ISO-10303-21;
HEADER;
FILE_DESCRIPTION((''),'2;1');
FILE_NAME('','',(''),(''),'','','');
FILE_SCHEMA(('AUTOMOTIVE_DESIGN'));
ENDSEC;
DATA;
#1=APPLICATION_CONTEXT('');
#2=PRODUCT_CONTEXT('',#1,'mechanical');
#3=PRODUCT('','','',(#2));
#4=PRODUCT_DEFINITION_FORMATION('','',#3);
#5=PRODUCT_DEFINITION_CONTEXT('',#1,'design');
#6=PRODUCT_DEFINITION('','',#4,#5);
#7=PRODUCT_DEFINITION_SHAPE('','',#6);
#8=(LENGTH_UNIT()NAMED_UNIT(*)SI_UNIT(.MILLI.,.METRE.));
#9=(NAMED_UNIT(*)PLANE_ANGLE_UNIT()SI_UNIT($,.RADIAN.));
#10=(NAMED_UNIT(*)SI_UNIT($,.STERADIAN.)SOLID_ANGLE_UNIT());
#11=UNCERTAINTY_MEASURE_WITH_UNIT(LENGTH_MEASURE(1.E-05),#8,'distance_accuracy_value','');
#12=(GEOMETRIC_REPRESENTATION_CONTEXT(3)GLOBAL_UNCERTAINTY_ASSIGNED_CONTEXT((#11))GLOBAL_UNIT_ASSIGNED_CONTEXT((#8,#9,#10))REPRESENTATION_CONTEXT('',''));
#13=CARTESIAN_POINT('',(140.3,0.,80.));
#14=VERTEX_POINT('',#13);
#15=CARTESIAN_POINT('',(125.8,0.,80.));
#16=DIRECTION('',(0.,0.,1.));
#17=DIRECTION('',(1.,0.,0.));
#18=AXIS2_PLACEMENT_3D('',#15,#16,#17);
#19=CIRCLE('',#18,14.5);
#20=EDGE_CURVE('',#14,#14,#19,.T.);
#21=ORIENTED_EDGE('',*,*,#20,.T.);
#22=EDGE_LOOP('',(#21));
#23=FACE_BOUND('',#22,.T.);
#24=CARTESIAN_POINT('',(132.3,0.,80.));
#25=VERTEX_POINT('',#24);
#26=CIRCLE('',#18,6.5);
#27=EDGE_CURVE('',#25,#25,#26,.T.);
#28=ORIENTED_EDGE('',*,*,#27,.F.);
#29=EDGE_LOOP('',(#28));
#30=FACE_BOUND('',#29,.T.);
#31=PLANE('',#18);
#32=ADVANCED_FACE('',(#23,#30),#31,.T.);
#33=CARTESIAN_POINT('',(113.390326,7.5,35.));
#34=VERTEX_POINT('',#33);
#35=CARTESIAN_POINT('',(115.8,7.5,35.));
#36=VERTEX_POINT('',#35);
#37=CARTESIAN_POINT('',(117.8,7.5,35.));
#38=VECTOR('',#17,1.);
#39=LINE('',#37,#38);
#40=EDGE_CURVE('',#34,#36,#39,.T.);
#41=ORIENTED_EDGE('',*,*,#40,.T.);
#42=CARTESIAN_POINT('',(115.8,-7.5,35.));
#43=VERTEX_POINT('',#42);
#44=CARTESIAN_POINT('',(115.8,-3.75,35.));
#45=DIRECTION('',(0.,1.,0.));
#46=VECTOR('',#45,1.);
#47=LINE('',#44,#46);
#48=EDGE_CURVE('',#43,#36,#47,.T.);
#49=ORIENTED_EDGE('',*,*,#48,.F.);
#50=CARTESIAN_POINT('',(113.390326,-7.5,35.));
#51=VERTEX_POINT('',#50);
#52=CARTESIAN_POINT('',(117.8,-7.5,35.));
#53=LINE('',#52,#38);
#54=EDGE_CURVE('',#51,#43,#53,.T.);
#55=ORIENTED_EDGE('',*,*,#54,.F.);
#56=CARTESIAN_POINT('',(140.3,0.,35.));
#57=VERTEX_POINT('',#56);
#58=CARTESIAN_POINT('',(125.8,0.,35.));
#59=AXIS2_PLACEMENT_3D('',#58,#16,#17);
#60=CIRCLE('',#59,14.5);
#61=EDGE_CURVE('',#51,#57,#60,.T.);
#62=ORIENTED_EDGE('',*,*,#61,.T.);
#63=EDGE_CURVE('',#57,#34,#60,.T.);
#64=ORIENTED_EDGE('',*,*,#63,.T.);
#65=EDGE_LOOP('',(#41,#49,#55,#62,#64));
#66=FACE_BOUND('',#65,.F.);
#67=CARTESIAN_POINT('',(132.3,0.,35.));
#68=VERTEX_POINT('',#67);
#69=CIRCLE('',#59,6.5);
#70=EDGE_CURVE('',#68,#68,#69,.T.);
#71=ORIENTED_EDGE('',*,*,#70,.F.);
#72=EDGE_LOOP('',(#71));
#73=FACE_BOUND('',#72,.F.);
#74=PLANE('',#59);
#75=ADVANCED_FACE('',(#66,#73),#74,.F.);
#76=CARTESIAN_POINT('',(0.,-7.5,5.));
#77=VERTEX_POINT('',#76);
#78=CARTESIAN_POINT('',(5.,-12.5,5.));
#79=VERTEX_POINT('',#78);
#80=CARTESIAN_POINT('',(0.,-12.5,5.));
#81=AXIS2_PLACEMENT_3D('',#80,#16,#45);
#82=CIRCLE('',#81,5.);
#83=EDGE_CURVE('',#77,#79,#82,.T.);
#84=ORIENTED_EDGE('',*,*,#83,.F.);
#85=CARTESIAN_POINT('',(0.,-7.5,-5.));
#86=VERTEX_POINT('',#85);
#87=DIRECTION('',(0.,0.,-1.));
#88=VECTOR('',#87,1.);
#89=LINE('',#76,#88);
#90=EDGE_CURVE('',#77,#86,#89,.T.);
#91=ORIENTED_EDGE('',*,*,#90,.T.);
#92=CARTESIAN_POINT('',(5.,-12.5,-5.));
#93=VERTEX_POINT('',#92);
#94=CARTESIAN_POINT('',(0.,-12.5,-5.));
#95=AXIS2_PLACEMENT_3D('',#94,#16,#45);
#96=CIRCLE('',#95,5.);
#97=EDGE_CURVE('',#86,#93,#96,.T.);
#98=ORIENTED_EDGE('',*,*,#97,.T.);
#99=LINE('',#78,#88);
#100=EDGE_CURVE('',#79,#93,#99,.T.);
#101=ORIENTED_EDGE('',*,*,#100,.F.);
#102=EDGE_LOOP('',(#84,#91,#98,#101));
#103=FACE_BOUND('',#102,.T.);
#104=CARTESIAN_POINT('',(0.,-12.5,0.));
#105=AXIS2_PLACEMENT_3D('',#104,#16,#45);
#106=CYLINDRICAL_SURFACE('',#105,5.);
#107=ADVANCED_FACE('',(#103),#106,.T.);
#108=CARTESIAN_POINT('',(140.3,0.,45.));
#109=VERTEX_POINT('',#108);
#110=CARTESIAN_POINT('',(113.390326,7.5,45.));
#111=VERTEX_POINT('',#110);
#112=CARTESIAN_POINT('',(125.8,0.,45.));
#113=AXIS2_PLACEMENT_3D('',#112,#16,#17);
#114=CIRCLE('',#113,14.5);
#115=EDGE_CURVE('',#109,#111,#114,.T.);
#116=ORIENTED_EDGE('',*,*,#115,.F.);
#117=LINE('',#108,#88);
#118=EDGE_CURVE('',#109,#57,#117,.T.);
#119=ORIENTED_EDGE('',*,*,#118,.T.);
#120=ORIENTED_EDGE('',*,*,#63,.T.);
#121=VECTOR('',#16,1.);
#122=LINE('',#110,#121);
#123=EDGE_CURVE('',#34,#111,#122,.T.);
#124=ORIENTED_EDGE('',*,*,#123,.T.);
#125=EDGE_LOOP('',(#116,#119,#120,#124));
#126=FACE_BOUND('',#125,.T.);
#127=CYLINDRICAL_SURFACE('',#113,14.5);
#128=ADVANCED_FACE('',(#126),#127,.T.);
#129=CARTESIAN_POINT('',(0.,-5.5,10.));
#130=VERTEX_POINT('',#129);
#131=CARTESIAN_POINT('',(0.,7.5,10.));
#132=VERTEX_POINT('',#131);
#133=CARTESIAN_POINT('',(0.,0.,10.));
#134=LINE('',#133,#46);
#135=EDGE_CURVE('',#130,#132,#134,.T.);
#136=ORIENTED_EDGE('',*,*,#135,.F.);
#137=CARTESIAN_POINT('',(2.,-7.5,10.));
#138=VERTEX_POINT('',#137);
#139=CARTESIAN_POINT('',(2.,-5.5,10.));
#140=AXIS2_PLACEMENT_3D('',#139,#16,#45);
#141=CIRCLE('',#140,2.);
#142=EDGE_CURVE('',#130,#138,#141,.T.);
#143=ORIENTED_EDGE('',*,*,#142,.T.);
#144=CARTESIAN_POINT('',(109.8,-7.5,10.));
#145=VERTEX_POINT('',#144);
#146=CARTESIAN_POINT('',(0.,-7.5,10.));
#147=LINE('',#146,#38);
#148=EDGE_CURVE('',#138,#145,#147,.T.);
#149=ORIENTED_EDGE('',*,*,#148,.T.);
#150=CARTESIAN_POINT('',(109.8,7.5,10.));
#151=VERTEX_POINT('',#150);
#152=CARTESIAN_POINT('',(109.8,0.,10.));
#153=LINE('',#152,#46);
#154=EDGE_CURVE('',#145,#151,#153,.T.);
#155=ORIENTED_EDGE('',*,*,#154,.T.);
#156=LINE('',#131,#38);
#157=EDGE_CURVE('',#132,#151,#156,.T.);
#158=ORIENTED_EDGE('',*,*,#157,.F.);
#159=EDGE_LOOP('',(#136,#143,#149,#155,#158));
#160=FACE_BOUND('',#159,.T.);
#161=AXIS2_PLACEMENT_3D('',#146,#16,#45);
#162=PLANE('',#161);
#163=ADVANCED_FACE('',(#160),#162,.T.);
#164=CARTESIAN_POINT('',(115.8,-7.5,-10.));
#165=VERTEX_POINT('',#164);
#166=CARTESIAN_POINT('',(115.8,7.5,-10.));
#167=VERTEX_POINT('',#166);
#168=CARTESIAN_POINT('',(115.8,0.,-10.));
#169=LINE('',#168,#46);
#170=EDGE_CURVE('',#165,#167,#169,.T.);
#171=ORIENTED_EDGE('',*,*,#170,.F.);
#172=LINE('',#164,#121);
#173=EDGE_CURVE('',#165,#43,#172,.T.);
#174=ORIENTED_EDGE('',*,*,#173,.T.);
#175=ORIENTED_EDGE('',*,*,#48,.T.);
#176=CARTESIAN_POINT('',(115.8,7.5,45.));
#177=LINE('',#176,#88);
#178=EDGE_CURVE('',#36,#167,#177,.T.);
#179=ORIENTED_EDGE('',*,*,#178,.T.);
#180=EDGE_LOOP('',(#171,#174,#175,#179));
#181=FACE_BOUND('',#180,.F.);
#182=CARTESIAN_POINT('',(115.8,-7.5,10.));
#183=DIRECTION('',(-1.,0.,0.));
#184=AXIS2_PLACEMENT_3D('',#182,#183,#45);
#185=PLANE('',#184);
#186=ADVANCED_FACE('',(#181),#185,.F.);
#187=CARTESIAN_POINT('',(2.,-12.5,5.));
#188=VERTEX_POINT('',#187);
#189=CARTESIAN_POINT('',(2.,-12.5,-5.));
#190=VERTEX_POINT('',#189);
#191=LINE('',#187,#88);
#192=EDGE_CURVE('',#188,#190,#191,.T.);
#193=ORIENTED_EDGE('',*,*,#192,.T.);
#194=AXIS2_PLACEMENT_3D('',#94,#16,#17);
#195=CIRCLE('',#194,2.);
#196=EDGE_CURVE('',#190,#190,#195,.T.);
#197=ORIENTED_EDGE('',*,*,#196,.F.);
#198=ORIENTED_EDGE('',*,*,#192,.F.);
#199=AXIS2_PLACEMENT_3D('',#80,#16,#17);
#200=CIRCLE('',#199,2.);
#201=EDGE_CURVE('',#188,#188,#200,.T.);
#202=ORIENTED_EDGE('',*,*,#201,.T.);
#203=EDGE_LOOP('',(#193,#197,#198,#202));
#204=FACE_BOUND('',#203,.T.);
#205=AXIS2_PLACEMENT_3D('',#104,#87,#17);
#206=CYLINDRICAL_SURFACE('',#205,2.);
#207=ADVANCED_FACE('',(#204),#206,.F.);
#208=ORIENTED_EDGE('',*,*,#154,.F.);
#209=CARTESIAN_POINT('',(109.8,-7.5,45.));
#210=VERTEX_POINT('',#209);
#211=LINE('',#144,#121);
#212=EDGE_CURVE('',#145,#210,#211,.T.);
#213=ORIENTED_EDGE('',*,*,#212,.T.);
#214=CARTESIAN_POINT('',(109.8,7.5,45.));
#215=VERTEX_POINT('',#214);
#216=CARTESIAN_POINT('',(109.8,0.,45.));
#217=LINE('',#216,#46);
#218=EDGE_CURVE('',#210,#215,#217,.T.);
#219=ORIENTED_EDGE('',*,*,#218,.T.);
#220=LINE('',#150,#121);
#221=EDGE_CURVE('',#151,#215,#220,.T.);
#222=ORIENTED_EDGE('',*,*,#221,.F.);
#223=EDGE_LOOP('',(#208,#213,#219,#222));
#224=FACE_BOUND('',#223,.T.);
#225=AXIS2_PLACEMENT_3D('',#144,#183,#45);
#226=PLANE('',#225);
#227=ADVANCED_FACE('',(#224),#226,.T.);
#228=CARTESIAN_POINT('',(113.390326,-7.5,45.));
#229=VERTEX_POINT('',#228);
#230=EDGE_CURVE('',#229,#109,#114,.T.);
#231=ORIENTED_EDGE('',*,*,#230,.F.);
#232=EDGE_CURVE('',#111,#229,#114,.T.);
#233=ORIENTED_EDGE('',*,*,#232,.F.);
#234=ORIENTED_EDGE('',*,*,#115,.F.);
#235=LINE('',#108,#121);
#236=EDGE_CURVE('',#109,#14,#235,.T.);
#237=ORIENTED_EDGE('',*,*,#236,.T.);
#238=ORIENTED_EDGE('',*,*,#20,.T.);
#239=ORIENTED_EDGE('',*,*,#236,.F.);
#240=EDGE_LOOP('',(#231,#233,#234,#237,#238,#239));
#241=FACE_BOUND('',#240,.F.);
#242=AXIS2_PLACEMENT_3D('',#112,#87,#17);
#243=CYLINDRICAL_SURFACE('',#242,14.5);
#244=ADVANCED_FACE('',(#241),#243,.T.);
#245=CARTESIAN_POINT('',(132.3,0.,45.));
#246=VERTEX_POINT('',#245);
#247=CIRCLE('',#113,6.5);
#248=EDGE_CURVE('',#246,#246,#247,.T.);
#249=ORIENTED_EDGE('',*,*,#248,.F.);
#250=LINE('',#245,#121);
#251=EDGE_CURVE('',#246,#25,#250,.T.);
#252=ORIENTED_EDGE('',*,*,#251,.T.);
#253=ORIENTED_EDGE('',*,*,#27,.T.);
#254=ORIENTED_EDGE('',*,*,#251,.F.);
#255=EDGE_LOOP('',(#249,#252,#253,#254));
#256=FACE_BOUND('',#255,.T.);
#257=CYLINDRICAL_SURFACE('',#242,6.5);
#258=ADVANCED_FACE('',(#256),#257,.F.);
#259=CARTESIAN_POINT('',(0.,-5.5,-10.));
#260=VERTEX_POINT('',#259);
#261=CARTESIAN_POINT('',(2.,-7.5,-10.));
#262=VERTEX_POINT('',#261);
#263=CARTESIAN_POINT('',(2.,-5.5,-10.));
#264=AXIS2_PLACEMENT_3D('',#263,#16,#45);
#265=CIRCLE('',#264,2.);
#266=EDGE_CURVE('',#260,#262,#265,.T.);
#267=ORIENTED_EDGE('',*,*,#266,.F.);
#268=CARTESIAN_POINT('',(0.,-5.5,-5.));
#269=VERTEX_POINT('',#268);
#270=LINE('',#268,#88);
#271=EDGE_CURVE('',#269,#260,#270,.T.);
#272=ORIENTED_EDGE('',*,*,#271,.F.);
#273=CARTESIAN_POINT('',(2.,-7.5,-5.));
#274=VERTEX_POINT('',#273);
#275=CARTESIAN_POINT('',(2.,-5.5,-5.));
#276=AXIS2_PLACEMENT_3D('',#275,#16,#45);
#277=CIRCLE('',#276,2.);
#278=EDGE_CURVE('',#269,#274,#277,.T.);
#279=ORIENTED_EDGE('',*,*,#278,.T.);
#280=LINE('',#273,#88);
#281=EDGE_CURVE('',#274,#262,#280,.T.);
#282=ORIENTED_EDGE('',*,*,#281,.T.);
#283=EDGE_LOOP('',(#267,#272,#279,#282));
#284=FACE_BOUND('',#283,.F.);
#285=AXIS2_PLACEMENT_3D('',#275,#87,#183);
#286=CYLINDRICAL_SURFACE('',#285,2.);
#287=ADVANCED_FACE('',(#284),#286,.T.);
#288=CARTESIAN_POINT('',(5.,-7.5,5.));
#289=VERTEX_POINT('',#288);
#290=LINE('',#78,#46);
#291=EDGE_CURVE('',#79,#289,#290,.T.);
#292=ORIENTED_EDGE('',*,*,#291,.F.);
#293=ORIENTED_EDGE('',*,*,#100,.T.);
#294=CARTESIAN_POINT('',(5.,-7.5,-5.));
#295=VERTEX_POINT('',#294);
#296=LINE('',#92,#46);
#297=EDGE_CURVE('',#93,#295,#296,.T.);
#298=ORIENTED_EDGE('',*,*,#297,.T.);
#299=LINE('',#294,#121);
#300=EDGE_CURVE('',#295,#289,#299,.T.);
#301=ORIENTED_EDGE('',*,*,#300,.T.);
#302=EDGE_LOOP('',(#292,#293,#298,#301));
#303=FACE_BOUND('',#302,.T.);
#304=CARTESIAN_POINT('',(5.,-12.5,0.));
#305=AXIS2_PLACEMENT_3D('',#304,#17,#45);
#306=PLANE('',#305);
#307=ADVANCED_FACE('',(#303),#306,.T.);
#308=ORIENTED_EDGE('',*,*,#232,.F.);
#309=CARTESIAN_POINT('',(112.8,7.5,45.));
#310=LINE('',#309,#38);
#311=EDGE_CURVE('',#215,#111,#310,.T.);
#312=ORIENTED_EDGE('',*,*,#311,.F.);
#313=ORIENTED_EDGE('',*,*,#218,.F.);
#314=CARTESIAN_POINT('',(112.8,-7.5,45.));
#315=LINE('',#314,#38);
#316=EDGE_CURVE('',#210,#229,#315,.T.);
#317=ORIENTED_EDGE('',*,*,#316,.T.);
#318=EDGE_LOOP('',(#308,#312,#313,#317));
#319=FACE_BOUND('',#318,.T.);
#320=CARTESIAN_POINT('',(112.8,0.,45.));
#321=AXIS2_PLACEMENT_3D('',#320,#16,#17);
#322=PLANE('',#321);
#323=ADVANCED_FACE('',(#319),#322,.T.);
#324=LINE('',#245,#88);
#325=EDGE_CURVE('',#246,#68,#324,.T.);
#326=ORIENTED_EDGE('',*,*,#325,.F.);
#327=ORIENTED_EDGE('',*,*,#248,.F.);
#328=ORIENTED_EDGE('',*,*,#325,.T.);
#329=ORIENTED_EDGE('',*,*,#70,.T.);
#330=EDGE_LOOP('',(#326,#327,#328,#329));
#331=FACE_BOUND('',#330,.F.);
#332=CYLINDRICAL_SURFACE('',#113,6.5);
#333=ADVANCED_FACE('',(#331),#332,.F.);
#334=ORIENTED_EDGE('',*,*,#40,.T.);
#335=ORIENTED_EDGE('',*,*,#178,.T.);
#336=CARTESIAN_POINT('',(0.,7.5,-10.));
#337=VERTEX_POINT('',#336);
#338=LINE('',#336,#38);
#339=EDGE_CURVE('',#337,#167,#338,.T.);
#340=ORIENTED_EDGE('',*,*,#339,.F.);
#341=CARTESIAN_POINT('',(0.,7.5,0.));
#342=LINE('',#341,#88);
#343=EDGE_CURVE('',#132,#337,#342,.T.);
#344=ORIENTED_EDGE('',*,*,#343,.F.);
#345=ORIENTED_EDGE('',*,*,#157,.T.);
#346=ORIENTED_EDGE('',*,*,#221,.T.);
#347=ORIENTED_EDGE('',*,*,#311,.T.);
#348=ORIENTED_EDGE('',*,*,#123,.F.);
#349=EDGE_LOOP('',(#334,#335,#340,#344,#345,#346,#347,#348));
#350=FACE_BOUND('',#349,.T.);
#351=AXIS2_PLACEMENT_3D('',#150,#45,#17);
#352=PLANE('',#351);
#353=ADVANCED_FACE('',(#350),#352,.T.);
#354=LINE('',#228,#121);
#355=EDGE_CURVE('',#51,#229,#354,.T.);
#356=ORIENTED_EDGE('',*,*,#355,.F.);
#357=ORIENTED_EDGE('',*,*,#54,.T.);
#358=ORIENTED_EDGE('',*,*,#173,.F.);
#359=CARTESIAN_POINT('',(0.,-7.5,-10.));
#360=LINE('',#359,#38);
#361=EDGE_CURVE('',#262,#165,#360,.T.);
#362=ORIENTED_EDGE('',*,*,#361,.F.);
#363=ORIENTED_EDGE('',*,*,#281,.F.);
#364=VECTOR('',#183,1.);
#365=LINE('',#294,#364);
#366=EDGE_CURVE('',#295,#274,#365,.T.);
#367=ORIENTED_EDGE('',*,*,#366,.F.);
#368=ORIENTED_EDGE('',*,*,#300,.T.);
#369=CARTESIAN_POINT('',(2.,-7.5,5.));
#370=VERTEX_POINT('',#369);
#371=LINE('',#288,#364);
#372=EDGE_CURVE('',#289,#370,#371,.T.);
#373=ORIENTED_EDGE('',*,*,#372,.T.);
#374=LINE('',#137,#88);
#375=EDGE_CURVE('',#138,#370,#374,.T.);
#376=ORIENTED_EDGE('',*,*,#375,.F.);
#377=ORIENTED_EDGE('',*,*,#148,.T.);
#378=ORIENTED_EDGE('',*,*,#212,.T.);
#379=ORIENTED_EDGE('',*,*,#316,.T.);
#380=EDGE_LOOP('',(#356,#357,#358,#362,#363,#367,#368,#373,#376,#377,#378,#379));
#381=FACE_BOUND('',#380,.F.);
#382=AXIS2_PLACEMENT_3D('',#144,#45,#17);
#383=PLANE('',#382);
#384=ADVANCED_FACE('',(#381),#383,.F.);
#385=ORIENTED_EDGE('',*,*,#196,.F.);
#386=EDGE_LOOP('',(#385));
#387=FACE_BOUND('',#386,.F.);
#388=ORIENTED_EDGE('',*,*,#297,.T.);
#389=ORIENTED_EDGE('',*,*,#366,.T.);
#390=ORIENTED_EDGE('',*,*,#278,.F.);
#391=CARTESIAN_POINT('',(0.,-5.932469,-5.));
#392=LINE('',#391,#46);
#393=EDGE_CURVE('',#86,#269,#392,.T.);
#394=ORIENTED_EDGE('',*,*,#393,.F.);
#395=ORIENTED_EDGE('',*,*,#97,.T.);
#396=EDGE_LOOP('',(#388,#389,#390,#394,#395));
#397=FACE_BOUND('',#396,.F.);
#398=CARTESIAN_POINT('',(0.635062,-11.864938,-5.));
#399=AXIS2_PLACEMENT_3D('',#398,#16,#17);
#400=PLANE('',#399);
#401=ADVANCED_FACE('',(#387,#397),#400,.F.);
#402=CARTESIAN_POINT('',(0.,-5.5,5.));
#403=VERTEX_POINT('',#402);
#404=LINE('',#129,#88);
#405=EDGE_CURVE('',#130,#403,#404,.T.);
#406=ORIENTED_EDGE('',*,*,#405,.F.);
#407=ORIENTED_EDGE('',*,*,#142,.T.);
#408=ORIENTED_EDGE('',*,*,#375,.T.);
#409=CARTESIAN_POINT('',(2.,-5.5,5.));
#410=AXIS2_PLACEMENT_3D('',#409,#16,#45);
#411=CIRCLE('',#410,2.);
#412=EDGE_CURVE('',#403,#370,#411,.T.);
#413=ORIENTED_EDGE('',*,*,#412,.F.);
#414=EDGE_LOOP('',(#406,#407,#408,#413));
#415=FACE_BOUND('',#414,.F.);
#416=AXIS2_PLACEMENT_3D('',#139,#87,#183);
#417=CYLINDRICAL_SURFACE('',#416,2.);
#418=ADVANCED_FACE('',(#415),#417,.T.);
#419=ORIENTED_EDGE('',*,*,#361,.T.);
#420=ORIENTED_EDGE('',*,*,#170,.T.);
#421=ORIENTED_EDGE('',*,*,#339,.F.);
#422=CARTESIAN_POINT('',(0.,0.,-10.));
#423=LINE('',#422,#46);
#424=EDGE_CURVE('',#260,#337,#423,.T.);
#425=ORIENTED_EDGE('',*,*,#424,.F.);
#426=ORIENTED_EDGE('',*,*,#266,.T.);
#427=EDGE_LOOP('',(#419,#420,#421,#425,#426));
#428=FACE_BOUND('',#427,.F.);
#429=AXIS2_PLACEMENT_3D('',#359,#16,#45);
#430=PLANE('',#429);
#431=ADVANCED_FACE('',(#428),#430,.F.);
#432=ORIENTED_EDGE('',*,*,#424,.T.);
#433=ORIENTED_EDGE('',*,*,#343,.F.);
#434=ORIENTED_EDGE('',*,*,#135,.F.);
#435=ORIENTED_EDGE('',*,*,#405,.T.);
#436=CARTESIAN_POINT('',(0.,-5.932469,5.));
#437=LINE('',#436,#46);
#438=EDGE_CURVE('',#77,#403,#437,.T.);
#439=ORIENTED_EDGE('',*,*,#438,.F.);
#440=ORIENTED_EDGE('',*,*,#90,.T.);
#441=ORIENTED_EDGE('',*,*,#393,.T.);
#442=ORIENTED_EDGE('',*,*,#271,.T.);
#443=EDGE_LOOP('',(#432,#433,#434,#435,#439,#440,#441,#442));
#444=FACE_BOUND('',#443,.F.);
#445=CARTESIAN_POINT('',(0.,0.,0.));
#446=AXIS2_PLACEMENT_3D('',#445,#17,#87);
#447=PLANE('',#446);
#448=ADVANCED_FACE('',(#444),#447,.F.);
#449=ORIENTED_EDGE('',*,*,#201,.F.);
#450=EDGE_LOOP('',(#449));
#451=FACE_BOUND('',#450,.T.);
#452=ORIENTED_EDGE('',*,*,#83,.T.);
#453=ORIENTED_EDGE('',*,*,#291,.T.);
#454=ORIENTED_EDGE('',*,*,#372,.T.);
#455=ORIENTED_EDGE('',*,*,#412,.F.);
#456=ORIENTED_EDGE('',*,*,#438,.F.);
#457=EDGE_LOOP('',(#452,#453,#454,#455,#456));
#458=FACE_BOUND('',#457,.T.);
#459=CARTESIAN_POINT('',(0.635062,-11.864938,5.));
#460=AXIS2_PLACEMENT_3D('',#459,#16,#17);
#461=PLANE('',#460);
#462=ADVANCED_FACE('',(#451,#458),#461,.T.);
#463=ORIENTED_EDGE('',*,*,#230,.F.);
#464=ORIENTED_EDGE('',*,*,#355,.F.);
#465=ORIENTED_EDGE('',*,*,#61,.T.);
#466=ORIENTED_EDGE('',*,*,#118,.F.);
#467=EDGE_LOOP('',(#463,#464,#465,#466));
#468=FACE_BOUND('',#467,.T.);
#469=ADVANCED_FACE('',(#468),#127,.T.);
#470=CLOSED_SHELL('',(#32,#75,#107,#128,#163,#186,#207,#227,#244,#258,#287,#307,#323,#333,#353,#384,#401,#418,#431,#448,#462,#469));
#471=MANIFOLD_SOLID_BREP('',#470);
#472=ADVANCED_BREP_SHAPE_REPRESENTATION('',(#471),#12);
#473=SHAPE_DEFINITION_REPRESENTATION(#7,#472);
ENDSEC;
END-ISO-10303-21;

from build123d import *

# Parameters (mm, degrees)
SKETCH4_W                = 20
SKETCH4_H                = 15
BOSS_EXTRUDE1_DEPTH      = 115.8
SKETCH5_W                = 6
SKETCH5_H                = 15
BOSS_EXTRUDE2_DEPTH      = 35
SKETCH6_R                = 14.5
SKETCH6_R_2              = 6.5
BOSS_EXTRUDE3_DEPTH      = 35
BOSS_EXTRUDE3_DEPTH_BACK = 10
SKETCH7_R                = 2
BOSS_EXTRUDE4_DEPTH      = 5
FILLET1_R                = 2


with BuildPart() as part:
    # Sketch4 → Boss-Extrude1 (new body)
    with BuildSketch(Plane(origin=(0, 0, 0), x_dir=(0, 0, -1), z_dir=(1, 0, 0))):
        Rectangle(SKETCH4_W, SKETCH4_H)
    extrude(amount=BOSS_EXTRUDE1_DEPTH)

    # Sketch5 → Boss-Extrude2 (add)
    with BuildSketch(Plane.XY.offset(10)):
        with Locations((112.8, 0)):
            Rectangle(SKETCH5_W, SKETCH5_H)
    extrude(amount=BOSS_EXTRUDE2_DEPTH)

    # Sketch6 → Boss-Extrude3 (add, two sides)
    with BuildSketch(Plane.XY.offset(45)) as boss_extrude3_sk:
        with Locations((125.8, 0)):
            Circle(SKETCH6_R)
        with Locations((125.8, 0)):
            Circle(SKETCH6_R_2, mode=Mode.SUBTRACT)
    extrude(amount=BOSS_EXTRUDE3_DEPTH)
    extrude(boss_extrude3_sk.sketch, amount=-BOSS_EXTRUDE3_DEPTH_BACK)

    # Sketch7 → Boss-Extrude4 (add, symmetric)
    with BuildSketch(Plane.XY):
        with BuildLine():
            Line((5, -12.5), (5, -7.5))
            Line((5, -7.5), (0, -7.5))
            ThreePointArc((0, -7.5), (-3.535533906, -16.035533906), (5, -12.5))
        make_face()
        with Locations((0, -12.5)):
            Circle(SKETCH7_R, mode=Mode.SUBTRACT)
    extrude(amount=BOSS_EXTRUDE4_DEPTH, both=True)

    # Fillet1
    fillet1_edges = [part.edges().sort_by_distance(p)[0] for p in [
        (0, -7.5, -7.5),
        (0, -7.5, 7.5),
    ]]
    fillet(fillet1_edges, radius=FILLET1_R)


solid = part.part
